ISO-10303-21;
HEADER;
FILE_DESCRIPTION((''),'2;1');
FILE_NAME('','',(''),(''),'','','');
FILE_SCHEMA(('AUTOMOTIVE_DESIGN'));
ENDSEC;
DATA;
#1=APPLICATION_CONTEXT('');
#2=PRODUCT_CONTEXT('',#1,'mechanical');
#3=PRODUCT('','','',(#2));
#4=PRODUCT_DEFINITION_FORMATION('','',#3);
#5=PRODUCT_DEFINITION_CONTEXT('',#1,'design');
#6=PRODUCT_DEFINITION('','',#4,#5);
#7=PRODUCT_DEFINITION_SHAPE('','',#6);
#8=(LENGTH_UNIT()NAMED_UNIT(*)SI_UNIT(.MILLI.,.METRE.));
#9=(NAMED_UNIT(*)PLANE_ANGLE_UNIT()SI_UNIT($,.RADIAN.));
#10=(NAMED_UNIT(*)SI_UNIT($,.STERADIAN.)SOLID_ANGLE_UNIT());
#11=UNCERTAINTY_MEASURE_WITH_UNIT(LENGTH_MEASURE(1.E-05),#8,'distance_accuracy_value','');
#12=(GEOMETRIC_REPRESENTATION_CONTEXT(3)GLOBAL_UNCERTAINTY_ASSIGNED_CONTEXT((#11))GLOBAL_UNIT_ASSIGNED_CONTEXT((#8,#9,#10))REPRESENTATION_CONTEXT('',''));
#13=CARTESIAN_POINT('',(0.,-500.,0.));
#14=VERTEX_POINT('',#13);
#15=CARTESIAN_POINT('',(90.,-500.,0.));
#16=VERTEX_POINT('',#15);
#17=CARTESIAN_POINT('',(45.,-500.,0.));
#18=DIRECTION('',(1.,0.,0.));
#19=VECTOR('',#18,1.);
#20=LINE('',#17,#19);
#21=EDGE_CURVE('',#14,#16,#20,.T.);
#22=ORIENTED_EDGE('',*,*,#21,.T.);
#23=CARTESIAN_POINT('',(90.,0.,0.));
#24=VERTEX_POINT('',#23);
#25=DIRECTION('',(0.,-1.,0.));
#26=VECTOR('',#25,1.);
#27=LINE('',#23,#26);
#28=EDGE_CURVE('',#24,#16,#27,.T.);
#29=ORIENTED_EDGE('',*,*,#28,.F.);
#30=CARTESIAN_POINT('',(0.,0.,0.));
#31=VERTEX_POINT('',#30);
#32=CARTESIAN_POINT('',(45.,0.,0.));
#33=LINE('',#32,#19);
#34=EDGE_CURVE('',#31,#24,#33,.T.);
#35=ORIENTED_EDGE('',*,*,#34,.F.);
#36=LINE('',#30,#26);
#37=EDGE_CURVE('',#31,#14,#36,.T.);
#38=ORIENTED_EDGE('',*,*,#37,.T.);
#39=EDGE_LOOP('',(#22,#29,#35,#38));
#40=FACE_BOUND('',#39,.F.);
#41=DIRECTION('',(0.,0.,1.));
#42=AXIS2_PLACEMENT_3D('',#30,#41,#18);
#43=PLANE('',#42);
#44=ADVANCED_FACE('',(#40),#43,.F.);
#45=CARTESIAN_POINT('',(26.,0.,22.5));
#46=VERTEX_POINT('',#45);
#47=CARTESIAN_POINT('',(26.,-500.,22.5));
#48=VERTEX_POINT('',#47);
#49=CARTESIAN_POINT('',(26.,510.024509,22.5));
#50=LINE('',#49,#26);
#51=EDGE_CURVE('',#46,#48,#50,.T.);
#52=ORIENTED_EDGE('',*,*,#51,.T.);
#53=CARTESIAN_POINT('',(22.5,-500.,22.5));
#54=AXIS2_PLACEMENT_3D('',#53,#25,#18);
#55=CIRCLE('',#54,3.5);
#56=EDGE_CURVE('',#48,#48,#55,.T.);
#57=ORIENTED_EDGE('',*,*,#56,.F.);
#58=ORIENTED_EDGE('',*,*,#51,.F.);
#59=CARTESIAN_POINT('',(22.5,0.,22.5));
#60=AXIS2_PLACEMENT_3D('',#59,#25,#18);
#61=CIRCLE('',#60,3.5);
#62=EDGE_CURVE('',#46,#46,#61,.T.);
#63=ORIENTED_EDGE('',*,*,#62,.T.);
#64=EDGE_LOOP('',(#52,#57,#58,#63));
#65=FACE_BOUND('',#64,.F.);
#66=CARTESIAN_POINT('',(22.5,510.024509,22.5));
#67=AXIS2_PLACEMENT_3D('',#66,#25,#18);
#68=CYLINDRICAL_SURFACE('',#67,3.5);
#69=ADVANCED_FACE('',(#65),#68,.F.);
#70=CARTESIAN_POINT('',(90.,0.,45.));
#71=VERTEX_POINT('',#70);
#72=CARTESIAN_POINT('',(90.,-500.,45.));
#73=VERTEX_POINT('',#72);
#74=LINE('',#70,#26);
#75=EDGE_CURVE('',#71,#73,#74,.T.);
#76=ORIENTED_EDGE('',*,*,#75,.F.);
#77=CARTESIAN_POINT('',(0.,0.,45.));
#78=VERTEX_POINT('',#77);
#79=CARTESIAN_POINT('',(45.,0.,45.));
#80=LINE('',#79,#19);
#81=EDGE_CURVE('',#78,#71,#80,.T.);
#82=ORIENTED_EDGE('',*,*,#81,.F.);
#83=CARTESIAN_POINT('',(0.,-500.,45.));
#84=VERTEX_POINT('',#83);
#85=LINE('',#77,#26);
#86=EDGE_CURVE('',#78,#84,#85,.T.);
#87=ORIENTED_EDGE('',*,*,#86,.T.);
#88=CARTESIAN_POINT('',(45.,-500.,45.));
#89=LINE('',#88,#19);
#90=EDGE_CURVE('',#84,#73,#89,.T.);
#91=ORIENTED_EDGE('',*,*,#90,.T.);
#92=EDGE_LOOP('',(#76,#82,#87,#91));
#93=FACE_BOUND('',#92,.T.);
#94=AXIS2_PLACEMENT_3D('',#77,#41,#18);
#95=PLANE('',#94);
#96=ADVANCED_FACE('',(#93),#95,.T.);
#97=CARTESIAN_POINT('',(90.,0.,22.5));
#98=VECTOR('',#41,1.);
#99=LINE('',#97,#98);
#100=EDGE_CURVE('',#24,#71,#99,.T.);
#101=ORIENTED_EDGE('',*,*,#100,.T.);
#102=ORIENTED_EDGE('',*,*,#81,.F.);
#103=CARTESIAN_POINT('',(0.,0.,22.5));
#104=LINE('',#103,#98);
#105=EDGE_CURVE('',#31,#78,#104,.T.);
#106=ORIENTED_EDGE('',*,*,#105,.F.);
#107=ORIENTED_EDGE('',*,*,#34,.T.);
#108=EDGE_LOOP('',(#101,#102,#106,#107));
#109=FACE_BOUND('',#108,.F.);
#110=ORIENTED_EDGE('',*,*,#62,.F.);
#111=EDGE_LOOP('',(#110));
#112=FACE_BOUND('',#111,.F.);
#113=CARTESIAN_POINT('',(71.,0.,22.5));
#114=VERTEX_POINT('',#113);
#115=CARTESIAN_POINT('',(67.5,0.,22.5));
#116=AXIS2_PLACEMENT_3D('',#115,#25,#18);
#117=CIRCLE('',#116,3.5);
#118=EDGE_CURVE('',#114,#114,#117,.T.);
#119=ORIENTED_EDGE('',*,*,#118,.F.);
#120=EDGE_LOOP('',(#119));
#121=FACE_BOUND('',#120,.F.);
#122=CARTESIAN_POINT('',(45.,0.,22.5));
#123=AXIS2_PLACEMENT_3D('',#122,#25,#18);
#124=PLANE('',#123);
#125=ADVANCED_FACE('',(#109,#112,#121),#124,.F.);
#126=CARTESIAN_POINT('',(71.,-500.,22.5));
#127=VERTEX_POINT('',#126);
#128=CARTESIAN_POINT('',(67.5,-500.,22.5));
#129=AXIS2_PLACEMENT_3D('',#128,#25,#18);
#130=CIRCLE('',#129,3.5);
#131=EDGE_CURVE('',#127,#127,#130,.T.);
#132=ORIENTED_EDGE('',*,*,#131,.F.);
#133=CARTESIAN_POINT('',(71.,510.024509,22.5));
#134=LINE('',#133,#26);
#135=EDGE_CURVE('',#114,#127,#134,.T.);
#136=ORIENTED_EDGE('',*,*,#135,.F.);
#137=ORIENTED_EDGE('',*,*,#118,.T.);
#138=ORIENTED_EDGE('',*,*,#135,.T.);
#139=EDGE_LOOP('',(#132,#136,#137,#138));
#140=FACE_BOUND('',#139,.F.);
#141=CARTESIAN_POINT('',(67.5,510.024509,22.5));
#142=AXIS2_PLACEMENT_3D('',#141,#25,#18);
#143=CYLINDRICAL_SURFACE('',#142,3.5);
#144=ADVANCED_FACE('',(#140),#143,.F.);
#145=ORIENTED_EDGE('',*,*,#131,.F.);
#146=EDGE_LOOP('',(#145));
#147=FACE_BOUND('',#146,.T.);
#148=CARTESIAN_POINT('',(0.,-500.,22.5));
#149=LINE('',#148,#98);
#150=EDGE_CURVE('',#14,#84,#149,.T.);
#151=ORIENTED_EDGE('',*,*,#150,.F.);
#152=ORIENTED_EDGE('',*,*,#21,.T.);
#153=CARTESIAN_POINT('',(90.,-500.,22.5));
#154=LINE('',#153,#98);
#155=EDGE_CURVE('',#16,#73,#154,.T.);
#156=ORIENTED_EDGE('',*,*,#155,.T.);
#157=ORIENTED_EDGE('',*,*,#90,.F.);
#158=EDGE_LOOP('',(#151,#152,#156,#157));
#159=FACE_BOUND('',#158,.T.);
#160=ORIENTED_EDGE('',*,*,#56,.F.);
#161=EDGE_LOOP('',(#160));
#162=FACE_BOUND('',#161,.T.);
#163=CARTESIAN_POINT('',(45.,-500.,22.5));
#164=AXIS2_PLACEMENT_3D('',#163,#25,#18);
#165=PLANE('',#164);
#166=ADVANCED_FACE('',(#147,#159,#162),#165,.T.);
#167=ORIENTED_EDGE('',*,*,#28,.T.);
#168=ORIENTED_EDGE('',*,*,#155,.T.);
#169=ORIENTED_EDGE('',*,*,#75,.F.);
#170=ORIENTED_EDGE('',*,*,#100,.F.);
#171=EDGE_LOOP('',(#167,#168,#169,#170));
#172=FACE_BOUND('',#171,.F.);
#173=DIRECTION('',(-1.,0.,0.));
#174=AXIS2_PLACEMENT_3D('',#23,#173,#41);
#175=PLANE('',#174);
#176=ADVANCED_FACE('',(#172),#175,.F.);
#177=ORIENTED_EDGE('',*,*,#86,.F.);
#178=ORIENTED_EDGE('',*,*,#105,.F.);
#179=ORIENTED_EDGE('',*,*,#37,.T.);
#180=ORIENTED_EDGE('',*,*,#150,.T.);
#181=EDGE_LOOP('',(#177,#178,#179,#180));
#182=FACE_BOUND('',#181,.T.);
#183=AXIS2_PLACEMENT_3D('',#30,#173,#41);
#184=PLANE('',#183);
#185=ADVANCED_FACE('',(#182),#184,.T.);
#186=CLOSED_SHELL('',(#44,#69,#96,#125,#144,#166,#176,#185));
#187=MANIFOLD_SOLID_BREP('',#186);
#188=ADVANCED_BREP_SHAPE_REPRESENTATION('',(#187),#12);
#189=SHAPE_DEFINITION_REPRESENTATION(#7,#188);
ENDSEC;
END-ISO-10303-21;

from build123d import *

# Parameters (mm, degrees)
F0_W     = 90
F0_H     = 45
F1_DEPTH = 500
F3_D     = 7


with BuildPart() as f1:
    # F0 (on Front) → F1 (new body)
    with BuildSketch(Plane.XZ):
        with Locations((45, 22.5)):
            Rectangle(F0_W, F0_H)
    extrude(amount=F1_DEPTH)

    # F3 (through all)
    with Locations(Plane(origin=(0, 0, 0), x_dir=(-1, 0, 0), z_dir=(0, 1, 0))):
        with Locations((-67.5, 22.5), (-22.5, 22.5)):
            Hole(F3_D / 2)


solid = f1.part
